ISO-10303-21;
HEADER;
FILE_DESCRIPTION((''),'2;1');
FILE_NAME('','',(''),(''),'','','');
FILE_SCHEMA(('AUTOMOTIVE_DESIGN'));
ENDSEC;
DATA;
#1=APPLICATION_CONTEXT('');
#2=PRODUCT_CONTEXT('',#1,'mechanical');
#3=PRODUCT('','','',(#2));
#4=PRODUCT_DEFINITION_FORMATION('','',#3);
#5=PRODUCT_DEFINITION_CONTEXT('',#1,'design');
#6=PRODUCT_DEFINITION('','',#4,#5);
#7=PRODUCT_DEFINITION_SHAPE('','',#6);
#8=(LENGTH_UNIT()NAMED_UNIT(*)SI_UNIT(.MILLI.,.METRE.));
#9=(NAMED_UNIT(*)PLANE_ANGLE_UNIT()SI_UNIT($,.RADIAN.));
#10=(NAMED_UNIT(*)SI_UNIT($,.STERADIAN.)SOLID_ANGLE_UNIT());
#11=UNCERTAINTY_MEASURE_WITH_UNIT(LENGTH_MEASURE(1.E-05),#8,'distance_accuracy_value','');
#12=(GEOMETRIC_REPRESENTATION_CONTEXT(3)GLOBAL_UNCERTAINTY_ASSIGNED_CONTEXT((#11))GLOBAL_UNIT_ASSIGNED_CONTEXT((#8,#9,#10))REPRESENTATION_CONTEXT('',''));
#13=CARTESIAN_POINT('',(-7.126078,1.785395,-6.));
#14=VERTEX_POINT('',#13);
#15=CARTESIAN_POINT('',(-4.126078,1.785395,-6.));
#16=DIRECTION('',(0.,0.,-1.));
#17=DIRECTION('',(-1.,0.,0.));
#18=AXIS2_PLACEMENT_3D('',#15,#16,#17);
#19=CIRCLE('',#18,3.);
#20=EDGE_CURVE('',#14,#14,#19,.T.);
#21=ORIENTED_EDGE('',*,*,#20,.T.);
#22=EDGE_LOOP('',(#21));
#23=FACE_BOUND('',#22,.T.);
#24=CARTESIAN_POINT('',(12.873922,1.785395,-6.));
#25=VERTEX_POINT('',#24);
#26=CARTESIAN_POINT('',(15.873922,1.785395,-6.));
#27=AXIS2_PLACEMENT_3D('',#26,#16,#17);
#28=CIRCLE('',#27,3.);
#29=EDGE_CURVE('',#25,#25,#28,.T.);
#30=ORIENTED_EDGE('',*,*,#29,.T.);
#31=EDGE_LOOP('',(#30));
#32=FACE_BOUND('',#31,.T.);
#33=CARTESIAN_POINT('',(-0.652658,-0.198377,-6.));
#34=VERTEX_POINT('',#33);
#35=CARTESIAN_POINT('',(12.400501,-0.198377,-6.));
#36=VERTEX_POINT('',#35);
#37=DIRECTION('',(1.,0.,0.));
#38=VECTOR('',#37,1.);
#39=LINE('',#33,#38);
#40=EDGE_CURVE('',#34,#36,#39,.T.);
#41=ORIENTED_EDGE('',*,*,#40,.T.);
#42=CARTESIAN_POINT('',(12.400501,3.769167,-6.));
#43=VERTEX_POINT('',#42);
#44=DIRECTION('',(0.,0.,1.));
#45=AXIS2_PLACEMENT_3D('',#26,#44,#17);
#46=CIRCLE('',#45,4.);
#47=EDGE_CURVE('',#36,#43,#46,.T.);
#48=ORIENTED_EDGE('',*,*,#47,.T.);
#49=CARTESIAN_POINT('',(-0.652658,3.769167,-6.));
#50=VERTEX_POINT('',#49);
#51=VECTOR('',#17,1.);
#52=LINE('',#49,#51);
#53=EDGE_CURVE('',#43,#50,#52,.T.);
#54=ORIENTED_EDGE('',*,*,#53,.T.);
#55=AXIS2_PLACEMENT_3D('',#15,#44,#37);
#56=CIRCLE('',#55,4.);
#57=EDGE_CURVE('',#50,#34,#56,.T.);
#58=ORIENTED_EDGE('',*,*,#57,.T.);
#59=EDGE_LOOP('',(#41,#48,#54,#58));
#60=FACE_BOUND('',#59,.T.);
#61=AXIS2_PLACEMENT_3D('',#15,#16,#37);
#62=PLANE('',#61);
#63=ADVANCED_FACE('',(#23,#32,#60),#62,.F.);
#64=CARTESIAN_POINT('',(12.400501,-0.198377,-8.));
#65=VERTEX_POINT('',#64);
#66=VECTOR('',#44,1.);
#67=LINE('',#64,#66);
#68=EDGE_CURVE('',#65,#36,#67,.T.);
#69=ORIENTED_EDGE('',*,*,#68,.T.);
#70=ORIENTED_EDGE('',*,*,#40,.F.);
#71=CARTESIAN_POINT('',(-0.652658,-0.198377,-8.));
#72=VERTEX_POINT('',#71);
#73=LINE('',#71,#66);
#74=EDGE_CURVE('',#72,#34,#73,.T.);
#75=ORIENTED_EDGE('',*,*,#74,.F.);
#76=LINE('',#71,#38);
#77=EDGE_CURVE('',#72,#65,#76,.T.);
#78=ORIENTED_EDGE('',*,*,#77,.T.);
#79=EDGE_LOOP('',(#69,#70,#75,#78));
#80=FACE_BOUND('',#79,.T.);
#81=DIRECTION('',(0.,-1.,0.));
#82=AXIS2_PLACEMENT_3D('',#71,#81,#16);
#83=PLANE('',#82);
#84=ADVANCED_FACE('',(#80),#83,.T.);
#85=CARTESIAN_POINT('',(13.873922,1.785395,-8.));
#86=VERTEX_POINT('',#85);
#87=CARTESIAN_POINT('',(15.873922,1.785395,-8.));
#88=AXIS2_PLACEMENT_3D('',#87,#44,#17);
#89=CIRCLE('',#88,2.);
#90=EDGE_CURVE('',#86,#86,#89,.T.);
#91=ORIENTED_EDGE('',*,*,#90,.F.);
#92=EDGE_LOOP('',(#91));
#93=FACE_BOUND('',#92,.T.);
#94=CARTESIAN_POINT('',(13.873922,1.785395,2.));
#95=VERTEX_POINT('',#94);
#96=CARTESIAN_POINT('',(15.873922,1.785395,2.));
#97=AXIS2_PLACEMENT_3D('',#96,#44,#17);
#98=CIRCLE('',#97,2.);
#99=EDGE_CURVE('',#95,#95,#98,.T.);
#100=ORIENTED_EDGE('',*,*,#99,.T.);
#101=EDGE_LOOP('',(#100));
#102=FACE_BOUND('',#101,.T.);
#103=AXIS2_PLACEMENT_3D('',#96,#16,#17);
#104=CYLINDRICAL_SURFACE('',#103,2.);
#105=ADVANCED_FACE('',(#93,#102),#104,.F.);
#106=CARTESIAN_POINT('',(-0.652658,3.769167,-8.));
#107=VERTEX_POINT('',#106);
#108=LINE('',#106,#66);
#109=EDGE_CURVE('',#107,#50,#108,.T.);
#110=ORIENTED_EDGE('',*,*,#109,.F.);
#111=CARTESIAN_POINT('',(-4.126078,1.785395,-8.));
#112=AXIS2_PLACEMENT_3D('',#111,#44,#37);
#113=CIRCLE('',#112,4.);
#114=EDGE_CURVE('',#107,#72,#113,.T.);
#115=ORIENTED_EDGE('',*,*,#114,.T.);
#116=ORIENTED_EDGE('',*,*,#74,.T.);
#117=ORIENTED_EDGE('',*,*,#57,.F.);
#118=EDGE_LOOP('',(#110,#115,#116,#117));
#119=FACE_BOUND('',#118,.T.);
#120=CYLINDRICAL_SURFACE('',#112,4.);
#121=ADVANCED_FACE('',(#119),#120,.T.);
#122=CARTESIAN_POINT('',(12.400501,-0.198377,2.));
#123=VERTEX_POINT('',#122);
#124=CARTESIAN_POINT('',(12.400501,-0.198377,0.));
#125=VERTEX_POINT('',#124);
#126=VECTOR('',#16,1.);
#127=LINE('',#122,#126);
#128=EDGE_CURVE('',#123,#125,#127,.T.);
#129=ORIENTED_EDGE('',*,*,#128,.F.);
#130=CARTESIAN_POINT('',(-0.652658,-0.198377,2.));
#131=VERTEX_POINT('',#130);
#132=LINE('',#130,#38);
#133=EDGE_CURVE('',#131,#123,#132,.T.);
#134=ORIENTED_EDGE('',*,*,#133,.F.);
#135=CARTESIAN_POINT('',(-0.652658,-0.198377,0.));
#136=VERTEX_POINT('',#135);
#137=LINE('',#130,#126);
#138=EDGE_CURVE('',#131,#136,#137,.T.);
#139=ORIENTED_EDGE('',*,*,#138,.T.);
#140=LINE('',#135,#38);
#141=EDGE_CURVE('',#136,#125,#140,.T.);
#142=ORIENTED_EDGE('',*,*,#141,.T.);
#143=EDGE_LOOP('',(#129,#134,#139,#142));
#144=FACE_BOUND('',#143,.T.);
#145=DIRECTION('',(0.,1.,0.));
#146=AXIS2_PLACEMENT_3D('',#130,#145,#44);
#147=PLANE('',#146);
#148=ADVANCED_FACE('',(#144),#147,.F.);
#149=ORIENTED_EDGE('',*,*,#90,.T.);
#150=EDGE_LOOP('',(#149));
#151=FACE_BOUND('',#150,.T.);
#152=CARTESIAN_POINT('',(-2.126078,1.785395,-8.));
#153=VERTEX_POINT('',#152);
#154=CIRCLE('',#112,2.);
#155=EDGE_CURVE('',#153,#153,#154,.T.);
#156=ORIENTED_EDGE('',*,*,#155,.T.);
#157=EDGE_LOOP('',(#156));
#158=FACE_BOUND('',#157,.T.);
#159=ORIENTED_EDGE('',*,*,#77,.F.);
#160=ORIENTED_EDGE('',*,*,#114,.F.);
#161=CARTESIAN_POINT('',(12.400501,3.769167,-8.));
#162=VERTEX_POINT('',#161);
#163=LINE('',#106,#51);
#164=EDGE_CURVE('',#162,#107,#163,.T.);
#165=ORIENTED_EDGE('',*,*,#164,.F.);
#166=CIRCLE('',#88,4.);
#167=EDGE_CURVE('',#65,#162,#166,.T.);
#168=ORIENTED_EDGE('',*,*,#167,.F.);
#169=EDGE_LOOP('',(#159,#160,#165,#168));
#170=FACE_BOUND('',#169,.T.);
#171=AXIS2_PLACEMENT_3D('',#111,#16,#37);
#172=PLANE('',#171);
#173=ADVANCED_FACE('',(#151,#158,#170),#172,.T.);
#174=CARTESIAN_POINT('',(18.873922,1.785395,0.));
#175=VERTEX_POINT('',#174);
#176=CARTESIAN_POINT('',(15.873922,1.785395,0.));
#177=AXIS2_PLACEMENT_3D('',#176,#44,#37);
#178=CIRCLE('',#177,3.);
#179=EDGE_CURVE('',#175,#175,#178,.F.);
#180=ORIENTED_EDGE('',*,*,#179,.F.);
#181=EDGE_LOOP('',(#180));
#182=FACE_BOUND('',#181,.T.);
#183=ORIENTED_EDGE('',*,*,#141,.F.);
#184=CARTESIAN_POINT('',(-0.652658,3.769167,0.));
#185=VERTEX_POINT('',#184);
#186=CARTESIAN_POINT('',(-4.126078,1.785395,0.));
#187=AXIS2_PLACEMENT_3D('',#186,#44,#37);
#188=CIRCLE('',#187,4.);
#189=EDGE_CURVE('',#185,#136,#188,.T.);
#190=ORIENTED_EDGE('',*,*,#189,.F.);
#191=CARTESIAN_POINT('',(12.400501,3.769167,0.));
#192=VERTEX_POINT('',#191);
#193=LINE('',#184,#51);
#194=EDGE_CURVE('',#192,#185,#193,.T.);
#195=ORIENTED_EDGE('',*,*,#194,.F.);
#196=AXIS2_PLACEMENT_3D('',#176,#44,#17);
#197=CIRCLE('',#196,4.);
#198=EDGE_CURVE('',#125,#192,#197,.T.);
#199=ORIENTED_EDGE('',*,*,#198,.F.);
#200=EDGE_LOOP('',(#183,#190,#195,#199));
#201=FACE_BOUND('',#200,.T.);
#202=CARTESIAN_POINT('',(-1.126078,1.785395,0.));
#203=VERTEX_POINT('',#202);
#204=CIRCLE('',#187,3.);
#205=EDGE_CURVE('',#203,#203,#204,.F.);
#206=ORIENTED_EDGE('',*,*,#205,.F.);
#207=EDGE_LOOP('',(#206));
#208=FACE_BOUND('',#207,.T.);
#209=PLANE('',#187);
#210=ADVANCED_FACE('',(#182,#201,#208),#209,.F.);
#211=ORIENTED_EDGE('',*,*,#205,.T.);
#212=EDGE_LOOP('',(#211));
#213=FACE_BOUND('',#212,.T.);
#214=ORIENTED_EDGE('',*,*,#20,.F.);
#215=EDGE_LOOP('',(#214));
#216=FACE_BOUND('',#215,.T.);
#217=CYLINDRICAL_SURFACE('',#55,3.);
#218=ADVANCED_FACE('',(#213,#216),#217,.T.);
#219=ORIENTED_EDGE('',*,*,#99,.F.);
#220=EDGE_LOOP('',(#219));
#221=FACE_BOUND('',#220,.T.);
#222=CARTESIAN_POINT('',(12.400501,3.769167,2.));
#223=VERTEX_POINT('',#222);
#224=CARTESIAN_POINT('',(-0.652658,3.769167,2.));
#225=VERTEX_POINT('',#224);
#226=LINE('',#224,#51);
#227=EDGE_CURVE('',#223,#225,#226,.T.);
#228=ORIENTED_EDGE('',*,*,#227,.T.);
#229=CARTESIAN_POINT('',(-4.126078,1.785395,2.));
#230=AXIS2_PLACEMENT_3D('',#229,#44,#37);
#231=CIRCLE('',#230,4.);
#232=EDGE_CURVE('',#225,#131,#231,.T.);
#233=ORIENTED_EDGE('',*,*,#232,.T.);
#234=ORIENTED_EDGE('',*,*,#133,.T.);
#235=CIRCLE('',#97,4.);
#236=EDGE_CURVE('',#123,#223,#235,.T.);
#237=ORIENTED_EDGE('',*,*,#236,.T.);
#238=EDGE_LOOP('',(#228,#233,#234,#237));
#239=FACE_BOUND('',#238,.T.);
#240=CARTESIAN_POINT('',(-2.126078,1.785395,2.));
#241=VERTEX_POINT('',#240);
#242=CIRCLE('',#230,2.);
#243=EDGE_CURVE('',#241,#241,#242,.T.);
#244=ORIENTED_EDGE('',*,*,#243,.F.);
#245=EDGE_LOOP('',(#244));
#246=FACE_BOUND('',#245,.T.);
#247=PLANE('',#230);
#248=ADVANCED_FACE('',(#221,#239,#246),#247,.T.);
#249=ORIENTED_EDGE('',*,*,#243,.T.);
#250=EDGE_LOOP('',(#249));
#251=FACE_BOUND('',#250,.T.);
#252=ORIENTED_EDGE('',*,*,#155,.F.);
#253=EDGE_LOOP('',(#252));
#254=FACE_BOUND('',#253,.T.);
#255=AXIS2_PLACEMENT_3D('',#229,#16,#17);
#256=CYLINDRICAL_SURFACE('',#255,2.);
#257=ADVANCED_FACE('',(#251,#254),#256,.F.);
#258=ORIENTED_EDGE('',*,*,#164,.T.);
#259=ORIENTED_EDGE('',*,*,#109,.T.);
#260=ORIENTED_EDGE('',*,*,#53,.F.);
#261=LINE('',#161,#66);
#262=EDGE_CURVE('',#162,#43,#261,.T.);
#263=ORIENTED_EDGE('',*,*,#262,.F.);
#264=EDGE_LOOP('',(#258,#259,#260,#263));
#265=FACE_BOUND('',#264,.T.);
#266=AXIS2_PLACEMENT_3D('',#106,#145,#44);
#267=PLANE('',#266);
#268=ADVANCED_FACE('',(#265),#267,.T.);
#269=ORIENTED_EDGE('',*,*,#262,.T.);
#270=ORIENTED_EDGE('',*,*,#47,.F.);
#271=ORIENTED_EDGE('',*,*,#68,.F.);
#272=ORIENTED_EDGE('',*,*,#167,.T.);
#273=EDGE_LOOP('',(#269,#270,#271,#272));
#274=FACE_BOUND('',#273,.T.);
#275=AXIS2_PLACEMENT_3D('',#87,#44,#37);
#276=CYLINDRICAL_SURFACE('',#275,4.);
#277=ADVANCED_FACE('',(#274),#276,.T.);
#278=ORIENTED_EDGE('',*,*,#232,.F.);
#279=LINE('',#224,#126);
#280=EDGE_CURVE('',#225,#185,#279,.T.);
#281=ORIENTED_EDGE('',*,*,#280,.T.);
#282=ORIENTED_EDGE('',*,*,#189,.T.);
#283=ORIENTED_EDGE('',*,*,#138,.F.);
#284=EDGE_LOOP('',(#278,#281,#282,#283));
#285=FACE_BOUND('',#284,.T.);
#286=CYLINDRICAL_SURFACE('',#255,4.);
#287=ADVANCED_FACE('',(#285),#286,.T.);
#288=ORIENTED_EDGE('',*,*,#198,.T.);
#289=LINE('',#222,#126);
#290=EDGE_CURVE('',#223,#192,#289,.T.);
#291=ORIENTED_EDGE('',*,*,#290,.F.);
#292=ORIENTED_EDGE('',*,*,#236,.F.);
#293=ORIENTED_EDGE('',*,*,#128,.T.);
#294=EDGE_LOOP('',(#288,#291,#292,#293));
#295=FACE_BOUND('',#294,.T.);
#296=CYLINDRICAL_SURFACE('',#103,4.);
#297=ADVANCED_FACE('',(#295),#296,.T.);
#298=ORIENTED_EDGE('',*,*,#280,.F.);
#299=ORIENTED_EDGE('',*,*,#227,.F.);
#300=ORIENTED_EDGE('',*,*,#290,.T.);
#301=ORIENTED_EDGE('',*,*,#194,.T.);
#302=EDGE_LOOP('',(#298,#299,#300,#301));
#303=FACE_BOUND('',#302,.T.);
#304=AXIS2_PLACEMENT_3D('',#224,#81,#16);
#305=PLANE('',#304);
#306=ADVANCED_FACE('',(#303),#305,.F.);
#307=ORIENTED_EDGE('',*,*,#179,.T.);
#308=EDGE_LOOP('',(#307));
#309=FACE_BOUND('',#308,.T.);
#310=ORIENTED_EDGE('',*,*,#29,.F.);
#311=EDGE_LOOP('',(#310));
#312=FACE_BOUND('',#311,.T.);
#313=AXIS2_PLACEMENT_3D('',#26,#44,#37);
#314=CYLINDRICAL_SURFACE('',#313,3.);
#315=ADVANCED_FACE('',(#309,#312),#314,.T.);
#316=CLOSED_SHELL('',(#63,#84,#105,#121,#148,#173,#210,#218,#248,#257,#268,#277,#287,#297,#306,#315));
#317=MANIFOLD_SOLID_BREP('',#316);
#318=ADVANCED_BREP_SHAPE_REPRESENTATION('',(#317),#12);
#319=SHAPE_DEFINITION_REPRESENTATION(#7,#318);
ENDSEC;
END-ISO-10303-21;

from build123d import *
from build123d.topology import SkipClean

# Parameters (mm, degrees)
SKETCH_1_R      = 2
EXTRUDE_1_DEPTH = 2
EXTRUDE_START   = 6
SKETCH_2_R      = 3
SKETCH_2_R_2    = 2
EXTRUDE_2_DEPTH = 6


with BuildPart() as part:
    # 草图1 → 凸台-拉伸1 (new body)
    with BuildSketch(Plane.XY):
        with BuildLine():
            Line((-0.652657961, 3.769166536), (12.40050126, 3.769166536))
            ThreePointArc((12.40050126, 3.769166536), (19.873921649, 1.785394675), (12.40050126, -0.198377186))
            Line((12.40050126, -0.198377186), (-0.652657961, -0.198377186))
            ThreePointArc((-0.652657961, -0.198377186), (-8.126078351, 1.785394675), (-0.652657961, 3.769166536))
        make_face()
        with Locations((-4.126078351, 1.785394675)):
            Circle(SKETCH_1_R, mode=Mode.SUBTRACT)
        with Locations(Location((15.873921649, 1.785394675, 0), (0, 0, 180))):
            Circle(SKETCH_1_R, mode=Mode.SUBTRACT)
    extrude_1 = extrude(amount=EXTRUDE_1_DEPTH)

    # 草图2 → 凸台-拉伸2 (add)
    # profile 1 of 2: a face of its own
    with SkipClean():  # the faces are left unmerged after this step: merging them gives an invalid solid
        with BuildSketch(Plane(origin=(0, 0, 0), x_dir=(-1, 0, 0), z_dir=(0, 0, -1)).offset(EXTRUDE_START)):
            with Locations(Location((-15.873921649, 1.785394675, 0), (0, 0, 180))):
                Circle(SKETCH_2_R)
            with Locations((-15.873921649, 1.785394675)):
                Circle(SKETCH_2_R_2, mode=Mode.SUBTRACT)
        # profile 2 of 2: a face of its own
        with BuildSketch(Plane(origin=(0, 0, 0), x_dir=(-1, 0, 0), z_dir=(0, 0, -1)).offset(EXTRUDE_START)):
            with Locations(Location((4.126078351, 1.785394675, 0), (0, 0, 180))):
                Circle(SKETCH_2_R)
            with Locations((4.126078351, 1.785394675)):
                Circle(SKETCH_2_R_2, mode=Mode.SUBTRACT)
        extrude(amount=-EXTRUDE_2_DEPTH)

    # 镜向1: 凸台-拉伸1 across plane
    with SkipClean():  # the faces are left unmerged after this step: merging them gives an invalid solid
        add(extrude_1.mirror(Plane(origin=(0, 0, -3), x_dir=(1, 0, 0), z_dir=(0, 0, -1))))


solid = part.part
